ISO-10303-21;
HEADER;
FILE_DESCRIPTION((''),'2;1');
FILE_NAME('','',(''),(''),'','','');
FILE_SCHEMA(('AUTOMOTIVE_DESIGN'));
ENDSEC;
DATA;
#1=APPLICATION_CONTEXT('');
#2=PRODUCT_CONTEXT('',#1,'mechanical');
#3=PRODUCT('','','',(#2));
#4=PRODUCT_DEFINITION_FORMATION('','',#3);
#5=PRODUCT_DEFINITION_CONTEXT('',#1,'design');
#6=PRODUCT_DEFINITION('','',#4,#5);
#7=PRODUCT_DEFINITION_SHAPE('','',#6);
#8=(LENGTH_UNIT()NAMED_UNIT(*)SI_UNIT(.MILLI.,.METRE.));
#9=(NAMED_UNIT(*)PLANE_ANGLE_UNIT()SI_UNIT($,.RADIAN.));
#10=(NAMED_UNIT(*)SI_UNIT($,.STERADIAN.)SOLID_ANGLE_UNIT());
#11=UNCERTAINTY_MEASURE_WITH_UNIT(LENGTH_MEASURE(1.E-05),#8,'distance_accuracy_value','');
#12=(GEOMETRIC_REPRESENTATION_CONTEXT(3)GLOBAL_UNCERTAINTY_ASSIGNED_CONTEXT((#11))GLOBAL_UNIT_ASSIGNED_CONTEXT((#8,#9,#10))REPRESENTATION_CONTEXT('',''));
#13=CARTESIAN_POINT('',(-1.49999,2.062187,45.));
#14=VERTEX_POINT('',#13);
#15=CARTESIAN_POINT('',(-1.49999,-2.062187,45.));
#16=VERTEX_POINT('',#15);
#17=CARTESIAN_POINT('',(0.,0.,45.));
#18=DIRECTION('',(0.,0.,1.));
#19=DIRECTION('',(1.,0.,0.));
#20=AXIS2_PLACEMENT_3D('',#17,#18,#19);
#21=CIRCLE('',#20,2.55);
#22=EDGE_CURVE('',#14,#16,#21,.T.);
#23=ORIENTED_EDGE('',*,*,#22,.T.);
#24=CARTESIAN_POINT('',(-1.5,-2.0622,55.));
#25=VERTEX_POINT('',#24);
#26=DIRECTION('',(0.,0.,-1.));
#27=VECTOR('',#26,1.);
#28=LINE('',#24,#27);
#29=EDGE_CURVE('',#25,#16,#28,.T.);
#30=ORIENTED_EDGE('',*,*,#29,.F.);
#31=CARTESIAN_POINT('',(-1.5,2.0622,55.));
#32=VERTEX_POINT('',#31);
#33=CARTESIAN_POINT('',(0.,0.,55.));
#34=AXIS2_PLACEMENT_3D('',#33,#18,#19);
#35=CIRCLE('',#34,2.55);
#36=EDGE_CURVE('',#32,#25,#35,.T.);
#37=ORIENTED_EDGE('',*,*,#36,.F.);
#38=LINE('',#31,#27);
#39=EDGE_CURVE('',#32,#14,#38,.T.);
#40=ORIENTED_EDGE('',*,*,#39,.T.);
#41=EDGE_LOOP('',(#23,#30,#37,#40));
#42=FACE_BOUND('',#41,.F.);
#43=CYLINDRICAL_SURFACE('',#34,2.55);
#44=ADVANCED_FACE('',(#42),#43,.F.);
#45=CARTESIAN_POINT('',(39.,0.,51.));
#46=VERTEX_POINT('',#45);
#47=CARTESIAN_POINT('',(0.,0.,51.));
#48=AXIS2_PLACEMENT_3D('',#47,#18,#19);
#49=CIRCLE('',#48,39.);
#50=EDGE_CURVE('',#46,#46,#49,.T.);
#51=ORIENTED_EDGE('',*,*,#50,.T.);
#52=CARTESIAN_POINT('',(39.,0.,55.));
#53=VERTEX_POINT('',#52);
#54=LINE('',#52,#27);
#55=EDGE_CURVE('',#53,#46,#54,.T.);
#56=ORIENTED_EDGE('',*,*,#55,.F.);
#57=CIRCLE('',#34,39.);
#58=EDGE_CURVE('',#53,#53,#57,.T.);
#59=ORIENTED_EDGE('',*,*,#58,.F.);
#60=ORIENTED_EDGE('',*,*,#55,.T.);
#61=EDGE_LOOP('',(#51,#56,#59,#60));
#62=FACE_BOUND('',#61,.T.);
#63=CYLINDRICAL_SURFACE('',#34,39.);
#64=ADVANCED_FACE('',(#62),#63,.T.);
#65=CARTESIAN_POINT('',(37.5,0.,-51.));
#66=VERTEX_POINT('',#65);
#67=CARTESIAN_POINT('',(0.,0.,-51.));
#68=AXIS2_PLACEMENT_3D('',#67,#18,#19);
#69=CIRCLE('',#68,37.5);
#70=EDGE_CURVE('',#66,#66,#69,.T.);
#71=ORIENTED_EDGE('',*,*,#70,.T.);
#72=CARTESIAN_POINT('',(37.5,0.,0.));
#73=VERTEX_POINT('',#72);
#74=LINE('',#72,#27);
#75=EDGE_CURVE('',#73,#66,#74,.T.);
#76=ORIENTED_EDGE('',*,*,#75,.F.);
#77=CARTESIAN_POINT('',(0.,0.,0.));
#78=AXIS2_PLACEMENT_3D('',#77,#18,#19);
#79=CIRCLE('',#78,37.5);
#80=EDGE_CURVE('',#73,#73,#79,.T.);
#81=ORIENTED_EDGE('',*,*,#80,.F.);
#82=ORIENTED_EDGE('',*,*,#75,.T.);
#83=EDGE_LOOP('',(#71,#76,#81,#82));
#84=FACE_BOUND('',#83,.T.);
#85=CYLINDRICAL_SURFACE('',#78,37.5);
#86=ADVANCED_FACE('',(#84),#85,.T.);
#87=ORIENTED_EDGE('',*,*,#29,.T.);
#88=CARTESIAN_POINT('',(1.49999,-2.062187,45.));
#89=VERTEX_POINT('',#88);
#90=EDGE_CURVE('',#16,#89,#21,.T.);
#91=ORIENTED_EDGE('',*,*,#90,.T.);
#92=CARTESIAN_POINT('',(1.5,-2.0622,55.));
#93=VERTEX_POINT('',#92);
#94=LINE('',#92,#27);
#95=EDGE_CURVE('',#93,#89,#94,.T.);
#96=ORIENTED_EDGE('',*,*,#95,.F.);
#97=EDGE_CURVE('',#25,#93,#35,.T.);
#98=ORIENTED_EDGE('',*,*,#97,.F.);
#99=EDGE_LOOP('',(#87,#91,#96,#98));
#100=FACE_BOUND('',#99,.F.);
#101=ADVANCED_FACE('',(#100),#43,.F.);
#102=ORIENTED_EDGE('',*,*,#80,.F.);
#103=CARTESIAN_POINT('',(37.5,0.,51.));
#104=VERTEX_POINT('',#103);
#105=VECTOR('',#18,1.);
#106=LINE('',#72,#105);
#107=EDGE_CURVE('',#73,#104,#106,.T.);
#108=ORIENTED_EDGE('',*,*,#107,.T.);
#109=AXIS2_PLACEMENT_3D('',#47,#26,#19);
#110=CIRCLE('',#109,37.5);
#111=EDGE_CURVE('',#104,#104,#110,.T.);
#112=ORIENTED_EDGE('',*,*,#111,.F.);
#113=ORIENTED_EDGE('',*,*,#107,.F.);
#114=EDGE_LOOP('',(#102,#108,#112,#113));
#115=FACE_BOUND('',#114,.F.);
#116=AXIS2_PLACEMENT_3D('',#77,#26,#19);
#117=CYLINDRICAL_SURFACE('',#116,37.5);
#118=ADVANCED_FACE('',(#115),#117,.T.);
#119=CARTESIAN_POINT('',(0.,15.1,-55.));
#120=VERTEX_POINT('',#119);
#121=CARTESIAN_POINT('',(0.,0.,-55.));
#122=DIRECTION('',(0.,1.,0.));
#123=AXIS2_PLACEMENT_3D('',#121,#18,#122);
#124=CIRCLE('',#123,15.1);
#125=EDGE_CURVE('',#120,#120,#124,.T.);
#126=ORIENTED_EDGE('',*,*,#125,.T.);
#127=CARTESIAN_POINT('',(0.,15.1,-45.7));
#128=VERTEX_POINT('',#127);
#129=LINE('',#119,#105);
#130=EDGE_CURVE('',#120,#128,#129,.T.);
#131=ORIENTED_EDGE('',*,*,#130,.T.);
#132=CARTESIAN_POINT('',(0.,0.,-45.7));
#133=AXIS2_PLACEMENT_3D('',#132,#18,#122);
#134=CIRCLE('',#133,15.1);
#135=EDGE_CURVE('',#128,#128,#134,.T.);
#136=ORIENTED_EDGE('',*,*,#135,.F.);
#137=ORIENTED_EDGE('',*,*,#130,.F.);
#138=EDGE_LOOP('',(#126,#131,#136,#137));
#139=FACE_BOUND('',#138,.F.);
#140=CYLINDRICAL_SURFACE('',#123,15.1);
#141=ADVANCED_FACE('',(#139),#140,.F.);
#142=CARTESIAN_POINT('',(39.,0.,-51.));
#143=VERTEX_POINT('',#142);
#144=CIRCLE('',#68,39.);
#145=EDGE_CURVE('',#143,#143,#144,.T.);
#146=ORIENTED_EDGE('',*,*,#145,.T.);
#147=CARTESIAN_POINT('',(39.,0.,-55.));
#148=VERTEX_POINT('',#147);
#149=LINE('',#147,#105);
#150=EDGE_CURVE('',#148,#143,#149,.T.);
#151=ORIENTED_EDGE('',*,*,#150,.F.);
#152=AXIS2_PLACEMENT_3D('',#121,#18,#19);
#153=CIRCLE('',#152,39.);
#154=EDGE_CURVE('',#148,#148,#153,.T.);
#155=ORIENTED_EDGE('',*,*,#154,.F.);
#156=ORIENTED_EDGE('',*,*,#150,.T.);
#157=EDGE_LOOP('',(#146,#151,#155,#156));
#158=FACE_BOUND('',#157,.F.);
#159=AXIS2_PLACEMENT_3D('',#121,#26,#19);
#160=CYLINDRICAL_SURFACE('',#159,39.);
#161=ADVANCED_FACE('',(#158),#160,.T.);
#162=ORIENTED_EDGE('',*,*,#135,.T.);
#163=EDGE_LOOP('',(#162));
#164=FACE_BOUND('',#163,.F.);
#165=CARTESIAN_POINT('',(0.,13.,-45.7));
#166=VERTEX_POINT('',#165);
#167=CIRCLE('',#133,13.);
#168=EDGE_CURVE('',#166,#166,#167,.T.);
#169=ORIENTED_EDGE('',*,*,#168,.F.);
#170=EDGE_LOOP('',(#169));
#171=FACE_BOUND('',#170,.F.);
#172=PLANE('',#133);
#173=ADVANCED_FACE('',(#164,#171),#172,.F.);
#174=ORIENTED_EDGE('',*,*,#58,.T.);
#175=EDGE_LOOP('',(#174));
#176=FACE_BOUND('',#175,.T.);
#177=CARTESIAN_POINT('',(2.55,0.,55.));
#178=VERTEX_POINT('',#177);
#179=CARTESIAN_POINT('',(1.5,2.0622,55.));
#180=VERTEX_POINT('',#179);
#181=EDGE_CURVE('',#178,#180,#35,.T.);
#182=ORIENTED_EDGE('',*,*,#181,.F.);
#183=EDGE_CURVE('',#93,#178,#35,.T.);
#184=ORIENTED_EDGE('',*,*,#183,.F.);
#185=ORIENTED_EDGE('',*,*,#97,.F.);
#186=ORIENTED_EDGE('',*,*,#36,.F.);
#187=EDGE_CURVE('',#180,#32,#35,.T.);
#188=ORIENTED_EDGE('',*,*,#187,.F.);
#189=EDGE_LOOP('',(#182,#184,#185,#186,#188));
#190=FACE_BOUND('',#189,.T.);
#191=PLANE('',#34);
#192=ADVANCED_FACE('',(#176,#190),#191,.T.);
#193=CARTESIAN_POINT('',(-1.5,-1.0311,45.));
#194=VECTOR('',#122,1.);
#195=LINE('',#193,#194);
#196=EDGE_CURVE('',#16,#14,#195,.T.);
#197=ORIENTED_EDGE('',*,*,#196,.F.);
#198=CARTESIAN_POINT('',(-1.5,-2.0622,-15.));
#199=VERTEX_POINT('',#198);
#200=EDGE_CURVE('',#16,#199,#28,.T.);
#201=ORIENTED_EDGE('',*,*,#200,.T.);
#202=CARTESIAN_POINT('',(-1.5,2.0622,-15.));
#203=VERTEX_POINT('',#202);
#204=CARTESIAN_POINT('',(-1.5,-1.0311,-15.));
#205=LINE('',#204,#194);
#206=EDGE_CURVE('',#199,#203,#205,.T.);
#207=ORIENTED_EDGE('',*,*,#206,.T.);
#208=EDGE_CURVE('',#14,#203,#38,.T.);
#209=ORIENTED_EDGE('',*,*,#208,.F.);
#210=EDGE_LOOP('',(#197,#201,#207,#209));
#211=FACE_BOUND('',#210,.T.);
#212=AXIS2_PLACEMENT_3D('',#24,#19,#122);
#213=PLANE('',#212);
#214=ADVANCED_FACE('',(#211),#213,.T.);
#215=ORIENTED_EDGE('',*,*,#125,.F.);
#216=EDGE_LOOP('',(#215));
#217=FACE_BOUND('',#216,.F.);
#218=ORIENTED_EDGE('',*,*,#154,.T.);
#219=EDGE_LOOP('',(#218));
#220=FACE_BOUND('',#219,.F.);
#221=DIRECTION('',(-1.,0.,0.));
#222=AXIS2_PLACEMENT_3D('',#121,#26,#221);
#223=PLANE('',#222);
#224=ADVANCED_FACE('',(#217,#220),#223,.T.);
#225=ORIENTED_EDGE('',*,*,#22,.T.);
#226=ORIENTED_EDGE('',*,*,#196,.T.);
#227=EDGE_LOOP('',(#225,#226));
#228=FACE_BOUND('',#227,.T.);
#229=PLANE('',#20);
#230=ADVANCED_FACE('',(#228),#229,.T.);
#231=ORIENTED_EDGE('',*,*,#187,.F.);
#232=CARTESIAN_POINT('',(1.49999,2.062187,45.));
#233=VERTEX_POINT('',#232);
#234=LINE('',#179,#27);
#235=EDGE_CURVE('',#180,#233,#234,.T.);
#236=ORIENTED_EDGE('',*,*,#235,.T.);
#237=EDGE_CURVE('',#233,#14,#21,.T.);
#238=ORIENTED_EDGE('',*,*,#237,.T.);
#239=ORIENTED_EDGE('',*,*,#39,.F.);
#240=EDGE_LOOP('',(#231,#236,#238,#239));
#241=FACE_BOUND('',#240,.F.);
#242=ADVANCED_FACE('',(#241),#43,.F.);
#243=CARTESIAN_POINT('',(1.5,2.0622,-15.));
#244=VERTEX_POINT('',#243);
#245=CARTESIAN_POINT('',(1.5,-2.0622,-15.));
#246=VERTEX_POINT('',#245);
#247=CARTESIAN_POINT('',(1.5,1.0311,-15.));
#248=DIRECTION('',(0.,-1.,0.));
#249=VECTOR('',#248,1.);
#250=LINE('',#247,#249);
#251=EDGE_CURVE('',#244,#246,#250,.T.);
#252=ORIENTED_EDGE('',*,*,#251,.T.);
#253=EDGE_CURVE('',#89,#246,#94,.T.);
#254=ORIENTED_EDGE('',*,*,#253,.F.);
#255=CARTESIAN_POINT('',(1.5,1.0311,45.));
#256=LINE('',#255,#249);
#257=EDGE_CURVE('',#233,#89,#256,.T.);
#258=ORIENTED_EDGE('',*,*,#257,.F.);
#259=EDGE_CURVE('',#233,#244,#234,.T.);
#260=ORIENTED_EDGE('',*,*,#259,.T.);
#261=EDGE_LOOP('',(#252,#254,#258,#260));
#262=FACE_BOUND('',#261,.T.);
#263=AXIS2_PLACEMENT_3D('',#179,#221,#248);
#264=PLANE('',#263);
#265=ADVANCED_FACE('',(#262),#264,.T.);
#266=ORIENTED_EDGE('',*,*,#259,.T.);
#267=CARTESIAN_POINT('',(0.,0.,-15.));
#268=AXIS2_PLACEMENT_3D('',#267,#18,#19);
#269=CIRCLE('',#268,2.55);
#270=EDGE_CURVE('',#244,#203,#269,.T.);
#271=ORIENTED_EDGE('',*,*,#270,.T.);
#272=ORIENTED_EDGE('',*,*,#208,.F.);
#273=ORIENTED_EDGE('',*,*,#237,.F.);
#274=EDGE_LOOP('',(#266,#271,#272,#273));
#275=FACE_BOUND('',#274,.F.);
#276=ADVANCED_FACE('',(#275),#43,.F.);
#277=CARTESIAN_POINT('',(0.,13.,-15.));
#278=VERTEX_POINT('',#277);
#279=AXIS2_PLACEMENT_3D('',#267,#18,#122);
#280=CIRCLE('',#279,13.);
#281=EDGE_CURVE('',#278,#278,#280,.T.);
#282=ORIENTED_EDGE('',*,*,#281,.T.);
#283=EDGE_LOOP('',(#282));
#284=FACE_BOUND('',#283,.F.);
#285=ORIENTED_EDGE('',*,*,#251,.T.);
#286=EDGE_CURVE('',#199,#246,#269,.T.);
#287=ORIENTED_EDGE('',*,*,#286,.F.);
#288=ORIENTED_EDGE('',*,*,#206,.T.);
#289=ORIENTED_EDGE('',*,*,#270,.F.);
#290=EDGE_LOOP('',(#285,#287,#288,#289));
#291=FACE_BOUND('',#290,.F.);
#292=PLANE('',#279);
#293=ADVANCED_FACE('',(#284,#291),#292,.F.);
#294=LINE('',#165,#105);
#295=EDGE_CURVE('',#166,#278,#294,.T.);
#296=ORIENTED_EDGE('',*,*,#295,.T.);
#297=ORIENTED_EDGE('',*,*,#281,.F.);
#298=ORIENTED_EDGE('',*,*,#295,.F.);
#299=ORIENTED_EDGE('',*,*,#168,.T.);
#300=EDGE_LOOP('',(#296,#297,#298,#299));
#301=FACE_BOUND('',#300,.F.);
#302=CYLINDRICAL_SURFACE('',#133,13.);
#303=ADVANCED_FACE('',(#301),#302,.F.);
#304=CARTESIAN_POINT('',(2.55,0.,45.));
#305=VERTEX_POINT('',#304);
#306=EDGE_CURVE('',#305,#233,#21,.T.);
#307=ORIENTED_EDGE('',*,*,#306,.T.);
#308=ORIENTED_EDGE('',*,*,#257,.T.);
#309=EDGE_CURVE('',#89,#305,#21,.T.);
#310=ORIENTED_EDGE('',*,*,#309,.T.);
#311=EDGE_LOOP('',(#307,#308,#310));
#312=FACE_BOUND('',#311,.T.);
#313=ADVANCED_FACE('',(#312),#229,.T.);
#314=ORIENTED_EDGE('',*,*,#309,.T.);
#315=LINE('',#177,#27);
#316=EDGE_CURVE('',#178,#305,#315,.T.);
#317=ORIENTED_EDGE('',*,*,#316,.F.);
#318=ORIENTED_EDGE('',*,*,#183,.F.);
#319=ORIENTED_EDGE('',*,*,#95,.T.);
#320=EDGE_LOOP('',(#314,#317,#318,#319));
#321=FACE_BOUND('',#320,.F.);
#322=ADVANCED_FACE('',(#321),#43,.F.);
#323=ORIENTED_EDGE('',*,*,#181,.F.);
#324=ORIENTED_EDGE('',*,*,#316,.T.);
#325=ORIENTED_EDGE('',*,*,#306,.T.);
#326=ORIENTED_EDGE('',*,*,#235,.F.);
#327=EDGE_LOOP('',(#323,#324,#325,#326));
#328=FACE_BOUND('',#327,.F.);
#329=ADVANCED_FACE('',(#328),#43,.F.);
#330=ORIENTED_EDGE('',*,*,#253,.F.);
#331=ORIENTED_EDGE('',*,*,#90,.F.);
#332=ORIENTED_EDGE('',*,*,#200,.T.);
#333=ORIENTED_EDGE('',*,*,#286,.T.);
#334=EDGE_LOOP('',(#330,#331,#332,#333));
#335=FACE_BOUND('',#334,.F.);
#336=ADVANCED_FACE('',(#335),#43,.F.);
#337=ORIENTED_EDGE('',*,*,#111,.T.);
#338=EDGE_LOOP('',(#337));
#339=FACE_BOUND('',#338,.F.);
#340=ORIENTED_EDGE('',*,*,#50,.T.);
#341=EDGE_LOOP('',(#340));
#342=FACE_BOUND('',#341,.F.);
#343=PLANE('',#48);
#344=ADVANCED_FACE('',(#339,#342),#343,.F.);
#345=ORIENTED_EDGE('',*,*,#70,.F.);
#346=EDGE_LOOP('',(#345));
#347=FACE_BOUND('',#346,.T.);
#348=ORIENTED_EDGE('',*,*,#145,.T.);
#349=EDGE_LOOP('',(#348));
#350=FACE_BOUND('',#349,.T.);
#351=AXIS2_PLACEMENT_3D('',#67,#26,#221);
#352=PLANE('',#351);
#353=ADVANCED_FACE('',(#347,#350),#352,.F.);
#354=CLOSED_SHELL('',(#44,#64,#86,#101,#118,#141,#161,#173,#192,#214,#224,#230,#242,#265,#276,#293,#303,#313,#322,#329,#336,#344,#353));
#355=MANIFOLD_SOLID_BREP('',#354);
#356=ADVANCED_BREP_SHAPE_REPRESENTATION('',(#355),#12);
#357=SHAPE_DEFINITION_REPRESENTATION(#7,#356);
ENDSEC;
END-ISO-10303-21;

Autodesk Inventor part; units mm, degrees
ref_plane "YZ Plane" through (0, 0, 0) normal (1, 0, 0) x (0, 1, 0)
ref_plane "XZ Plane" through (0, 0, 0) normal (0, 1, 0) x (-1, 0, 0)
ref_plane "XY Plane" through (0, 0, 0) normal (0, 0, 1) x (1, 0, 0)
sketch "Sketch1" plane through (0, 0, 0) normal (0, 0, 1) x (1, 0, 0)
  circle A0 centre (0, 0) radius 37.5
  dimension "d0" = 75
extrude "Extrusion1" add sketch "Sketch1" along normal mid plane 110
sketch "Sketch5" plane through (0, 0, 55) normal (0, 0, 1) x (1, 0, 0)
  circle A0 centre (0, 0) radius 39
  dimension "d22" = 78
extrude "Extrusion4" add sketch "Sketch5" against normal blind 4
mirror "Mirror2" about plane through (0, 0, 0) normal (0, 0, 1) of "Extrusion4"
sketch "Sketch4" plane through (0, 0, -55) normal (0, 0, -1) x (-1, 0, 0)
  point P0 (0, 0)
  point P1 (0, 0)
hole "Hole1" at (0, 0, -55) direction (0, 0, 1) diameter 26 depth 40 counterbore diameter 30.2 counterbore depth 9.3
sketch "Sketch6" plane through (0, 0, 55) normal (0, 0, 1) x (1, 0, 0)
  circle A0 centre (0, 0) radius 2.55
  dimension "d25" = 5.1
extrude "Extrusion5" cut sketch "Sketch6" against normal blind 10
sketch "Sketch7" plane through (0, 0, 55) normal (0, 0, 1) x (1, 0, 0)
  circle A0 centre (0, 0) radius 2.55 projected
  line L0 (-1.5, -2.0622) -> (-1.5, 2.0622)
  line L1 (1.5, 2.0622) -> (1.5, -2.0622)
  arc A1 (-1.5, -2.0622) -> (1.5, -2.0622) centre (0, 0) ccw
  arc A2 (1.5, 2.0622) -> (-1.5, 2.0622) centre (0, 0) ccw
  dimension "d28" = 1.5
extrude "Extrusion6" cut sketch "Sketch7" against normal through all contours L1 A0 L0
properties part number "13042026-14"
